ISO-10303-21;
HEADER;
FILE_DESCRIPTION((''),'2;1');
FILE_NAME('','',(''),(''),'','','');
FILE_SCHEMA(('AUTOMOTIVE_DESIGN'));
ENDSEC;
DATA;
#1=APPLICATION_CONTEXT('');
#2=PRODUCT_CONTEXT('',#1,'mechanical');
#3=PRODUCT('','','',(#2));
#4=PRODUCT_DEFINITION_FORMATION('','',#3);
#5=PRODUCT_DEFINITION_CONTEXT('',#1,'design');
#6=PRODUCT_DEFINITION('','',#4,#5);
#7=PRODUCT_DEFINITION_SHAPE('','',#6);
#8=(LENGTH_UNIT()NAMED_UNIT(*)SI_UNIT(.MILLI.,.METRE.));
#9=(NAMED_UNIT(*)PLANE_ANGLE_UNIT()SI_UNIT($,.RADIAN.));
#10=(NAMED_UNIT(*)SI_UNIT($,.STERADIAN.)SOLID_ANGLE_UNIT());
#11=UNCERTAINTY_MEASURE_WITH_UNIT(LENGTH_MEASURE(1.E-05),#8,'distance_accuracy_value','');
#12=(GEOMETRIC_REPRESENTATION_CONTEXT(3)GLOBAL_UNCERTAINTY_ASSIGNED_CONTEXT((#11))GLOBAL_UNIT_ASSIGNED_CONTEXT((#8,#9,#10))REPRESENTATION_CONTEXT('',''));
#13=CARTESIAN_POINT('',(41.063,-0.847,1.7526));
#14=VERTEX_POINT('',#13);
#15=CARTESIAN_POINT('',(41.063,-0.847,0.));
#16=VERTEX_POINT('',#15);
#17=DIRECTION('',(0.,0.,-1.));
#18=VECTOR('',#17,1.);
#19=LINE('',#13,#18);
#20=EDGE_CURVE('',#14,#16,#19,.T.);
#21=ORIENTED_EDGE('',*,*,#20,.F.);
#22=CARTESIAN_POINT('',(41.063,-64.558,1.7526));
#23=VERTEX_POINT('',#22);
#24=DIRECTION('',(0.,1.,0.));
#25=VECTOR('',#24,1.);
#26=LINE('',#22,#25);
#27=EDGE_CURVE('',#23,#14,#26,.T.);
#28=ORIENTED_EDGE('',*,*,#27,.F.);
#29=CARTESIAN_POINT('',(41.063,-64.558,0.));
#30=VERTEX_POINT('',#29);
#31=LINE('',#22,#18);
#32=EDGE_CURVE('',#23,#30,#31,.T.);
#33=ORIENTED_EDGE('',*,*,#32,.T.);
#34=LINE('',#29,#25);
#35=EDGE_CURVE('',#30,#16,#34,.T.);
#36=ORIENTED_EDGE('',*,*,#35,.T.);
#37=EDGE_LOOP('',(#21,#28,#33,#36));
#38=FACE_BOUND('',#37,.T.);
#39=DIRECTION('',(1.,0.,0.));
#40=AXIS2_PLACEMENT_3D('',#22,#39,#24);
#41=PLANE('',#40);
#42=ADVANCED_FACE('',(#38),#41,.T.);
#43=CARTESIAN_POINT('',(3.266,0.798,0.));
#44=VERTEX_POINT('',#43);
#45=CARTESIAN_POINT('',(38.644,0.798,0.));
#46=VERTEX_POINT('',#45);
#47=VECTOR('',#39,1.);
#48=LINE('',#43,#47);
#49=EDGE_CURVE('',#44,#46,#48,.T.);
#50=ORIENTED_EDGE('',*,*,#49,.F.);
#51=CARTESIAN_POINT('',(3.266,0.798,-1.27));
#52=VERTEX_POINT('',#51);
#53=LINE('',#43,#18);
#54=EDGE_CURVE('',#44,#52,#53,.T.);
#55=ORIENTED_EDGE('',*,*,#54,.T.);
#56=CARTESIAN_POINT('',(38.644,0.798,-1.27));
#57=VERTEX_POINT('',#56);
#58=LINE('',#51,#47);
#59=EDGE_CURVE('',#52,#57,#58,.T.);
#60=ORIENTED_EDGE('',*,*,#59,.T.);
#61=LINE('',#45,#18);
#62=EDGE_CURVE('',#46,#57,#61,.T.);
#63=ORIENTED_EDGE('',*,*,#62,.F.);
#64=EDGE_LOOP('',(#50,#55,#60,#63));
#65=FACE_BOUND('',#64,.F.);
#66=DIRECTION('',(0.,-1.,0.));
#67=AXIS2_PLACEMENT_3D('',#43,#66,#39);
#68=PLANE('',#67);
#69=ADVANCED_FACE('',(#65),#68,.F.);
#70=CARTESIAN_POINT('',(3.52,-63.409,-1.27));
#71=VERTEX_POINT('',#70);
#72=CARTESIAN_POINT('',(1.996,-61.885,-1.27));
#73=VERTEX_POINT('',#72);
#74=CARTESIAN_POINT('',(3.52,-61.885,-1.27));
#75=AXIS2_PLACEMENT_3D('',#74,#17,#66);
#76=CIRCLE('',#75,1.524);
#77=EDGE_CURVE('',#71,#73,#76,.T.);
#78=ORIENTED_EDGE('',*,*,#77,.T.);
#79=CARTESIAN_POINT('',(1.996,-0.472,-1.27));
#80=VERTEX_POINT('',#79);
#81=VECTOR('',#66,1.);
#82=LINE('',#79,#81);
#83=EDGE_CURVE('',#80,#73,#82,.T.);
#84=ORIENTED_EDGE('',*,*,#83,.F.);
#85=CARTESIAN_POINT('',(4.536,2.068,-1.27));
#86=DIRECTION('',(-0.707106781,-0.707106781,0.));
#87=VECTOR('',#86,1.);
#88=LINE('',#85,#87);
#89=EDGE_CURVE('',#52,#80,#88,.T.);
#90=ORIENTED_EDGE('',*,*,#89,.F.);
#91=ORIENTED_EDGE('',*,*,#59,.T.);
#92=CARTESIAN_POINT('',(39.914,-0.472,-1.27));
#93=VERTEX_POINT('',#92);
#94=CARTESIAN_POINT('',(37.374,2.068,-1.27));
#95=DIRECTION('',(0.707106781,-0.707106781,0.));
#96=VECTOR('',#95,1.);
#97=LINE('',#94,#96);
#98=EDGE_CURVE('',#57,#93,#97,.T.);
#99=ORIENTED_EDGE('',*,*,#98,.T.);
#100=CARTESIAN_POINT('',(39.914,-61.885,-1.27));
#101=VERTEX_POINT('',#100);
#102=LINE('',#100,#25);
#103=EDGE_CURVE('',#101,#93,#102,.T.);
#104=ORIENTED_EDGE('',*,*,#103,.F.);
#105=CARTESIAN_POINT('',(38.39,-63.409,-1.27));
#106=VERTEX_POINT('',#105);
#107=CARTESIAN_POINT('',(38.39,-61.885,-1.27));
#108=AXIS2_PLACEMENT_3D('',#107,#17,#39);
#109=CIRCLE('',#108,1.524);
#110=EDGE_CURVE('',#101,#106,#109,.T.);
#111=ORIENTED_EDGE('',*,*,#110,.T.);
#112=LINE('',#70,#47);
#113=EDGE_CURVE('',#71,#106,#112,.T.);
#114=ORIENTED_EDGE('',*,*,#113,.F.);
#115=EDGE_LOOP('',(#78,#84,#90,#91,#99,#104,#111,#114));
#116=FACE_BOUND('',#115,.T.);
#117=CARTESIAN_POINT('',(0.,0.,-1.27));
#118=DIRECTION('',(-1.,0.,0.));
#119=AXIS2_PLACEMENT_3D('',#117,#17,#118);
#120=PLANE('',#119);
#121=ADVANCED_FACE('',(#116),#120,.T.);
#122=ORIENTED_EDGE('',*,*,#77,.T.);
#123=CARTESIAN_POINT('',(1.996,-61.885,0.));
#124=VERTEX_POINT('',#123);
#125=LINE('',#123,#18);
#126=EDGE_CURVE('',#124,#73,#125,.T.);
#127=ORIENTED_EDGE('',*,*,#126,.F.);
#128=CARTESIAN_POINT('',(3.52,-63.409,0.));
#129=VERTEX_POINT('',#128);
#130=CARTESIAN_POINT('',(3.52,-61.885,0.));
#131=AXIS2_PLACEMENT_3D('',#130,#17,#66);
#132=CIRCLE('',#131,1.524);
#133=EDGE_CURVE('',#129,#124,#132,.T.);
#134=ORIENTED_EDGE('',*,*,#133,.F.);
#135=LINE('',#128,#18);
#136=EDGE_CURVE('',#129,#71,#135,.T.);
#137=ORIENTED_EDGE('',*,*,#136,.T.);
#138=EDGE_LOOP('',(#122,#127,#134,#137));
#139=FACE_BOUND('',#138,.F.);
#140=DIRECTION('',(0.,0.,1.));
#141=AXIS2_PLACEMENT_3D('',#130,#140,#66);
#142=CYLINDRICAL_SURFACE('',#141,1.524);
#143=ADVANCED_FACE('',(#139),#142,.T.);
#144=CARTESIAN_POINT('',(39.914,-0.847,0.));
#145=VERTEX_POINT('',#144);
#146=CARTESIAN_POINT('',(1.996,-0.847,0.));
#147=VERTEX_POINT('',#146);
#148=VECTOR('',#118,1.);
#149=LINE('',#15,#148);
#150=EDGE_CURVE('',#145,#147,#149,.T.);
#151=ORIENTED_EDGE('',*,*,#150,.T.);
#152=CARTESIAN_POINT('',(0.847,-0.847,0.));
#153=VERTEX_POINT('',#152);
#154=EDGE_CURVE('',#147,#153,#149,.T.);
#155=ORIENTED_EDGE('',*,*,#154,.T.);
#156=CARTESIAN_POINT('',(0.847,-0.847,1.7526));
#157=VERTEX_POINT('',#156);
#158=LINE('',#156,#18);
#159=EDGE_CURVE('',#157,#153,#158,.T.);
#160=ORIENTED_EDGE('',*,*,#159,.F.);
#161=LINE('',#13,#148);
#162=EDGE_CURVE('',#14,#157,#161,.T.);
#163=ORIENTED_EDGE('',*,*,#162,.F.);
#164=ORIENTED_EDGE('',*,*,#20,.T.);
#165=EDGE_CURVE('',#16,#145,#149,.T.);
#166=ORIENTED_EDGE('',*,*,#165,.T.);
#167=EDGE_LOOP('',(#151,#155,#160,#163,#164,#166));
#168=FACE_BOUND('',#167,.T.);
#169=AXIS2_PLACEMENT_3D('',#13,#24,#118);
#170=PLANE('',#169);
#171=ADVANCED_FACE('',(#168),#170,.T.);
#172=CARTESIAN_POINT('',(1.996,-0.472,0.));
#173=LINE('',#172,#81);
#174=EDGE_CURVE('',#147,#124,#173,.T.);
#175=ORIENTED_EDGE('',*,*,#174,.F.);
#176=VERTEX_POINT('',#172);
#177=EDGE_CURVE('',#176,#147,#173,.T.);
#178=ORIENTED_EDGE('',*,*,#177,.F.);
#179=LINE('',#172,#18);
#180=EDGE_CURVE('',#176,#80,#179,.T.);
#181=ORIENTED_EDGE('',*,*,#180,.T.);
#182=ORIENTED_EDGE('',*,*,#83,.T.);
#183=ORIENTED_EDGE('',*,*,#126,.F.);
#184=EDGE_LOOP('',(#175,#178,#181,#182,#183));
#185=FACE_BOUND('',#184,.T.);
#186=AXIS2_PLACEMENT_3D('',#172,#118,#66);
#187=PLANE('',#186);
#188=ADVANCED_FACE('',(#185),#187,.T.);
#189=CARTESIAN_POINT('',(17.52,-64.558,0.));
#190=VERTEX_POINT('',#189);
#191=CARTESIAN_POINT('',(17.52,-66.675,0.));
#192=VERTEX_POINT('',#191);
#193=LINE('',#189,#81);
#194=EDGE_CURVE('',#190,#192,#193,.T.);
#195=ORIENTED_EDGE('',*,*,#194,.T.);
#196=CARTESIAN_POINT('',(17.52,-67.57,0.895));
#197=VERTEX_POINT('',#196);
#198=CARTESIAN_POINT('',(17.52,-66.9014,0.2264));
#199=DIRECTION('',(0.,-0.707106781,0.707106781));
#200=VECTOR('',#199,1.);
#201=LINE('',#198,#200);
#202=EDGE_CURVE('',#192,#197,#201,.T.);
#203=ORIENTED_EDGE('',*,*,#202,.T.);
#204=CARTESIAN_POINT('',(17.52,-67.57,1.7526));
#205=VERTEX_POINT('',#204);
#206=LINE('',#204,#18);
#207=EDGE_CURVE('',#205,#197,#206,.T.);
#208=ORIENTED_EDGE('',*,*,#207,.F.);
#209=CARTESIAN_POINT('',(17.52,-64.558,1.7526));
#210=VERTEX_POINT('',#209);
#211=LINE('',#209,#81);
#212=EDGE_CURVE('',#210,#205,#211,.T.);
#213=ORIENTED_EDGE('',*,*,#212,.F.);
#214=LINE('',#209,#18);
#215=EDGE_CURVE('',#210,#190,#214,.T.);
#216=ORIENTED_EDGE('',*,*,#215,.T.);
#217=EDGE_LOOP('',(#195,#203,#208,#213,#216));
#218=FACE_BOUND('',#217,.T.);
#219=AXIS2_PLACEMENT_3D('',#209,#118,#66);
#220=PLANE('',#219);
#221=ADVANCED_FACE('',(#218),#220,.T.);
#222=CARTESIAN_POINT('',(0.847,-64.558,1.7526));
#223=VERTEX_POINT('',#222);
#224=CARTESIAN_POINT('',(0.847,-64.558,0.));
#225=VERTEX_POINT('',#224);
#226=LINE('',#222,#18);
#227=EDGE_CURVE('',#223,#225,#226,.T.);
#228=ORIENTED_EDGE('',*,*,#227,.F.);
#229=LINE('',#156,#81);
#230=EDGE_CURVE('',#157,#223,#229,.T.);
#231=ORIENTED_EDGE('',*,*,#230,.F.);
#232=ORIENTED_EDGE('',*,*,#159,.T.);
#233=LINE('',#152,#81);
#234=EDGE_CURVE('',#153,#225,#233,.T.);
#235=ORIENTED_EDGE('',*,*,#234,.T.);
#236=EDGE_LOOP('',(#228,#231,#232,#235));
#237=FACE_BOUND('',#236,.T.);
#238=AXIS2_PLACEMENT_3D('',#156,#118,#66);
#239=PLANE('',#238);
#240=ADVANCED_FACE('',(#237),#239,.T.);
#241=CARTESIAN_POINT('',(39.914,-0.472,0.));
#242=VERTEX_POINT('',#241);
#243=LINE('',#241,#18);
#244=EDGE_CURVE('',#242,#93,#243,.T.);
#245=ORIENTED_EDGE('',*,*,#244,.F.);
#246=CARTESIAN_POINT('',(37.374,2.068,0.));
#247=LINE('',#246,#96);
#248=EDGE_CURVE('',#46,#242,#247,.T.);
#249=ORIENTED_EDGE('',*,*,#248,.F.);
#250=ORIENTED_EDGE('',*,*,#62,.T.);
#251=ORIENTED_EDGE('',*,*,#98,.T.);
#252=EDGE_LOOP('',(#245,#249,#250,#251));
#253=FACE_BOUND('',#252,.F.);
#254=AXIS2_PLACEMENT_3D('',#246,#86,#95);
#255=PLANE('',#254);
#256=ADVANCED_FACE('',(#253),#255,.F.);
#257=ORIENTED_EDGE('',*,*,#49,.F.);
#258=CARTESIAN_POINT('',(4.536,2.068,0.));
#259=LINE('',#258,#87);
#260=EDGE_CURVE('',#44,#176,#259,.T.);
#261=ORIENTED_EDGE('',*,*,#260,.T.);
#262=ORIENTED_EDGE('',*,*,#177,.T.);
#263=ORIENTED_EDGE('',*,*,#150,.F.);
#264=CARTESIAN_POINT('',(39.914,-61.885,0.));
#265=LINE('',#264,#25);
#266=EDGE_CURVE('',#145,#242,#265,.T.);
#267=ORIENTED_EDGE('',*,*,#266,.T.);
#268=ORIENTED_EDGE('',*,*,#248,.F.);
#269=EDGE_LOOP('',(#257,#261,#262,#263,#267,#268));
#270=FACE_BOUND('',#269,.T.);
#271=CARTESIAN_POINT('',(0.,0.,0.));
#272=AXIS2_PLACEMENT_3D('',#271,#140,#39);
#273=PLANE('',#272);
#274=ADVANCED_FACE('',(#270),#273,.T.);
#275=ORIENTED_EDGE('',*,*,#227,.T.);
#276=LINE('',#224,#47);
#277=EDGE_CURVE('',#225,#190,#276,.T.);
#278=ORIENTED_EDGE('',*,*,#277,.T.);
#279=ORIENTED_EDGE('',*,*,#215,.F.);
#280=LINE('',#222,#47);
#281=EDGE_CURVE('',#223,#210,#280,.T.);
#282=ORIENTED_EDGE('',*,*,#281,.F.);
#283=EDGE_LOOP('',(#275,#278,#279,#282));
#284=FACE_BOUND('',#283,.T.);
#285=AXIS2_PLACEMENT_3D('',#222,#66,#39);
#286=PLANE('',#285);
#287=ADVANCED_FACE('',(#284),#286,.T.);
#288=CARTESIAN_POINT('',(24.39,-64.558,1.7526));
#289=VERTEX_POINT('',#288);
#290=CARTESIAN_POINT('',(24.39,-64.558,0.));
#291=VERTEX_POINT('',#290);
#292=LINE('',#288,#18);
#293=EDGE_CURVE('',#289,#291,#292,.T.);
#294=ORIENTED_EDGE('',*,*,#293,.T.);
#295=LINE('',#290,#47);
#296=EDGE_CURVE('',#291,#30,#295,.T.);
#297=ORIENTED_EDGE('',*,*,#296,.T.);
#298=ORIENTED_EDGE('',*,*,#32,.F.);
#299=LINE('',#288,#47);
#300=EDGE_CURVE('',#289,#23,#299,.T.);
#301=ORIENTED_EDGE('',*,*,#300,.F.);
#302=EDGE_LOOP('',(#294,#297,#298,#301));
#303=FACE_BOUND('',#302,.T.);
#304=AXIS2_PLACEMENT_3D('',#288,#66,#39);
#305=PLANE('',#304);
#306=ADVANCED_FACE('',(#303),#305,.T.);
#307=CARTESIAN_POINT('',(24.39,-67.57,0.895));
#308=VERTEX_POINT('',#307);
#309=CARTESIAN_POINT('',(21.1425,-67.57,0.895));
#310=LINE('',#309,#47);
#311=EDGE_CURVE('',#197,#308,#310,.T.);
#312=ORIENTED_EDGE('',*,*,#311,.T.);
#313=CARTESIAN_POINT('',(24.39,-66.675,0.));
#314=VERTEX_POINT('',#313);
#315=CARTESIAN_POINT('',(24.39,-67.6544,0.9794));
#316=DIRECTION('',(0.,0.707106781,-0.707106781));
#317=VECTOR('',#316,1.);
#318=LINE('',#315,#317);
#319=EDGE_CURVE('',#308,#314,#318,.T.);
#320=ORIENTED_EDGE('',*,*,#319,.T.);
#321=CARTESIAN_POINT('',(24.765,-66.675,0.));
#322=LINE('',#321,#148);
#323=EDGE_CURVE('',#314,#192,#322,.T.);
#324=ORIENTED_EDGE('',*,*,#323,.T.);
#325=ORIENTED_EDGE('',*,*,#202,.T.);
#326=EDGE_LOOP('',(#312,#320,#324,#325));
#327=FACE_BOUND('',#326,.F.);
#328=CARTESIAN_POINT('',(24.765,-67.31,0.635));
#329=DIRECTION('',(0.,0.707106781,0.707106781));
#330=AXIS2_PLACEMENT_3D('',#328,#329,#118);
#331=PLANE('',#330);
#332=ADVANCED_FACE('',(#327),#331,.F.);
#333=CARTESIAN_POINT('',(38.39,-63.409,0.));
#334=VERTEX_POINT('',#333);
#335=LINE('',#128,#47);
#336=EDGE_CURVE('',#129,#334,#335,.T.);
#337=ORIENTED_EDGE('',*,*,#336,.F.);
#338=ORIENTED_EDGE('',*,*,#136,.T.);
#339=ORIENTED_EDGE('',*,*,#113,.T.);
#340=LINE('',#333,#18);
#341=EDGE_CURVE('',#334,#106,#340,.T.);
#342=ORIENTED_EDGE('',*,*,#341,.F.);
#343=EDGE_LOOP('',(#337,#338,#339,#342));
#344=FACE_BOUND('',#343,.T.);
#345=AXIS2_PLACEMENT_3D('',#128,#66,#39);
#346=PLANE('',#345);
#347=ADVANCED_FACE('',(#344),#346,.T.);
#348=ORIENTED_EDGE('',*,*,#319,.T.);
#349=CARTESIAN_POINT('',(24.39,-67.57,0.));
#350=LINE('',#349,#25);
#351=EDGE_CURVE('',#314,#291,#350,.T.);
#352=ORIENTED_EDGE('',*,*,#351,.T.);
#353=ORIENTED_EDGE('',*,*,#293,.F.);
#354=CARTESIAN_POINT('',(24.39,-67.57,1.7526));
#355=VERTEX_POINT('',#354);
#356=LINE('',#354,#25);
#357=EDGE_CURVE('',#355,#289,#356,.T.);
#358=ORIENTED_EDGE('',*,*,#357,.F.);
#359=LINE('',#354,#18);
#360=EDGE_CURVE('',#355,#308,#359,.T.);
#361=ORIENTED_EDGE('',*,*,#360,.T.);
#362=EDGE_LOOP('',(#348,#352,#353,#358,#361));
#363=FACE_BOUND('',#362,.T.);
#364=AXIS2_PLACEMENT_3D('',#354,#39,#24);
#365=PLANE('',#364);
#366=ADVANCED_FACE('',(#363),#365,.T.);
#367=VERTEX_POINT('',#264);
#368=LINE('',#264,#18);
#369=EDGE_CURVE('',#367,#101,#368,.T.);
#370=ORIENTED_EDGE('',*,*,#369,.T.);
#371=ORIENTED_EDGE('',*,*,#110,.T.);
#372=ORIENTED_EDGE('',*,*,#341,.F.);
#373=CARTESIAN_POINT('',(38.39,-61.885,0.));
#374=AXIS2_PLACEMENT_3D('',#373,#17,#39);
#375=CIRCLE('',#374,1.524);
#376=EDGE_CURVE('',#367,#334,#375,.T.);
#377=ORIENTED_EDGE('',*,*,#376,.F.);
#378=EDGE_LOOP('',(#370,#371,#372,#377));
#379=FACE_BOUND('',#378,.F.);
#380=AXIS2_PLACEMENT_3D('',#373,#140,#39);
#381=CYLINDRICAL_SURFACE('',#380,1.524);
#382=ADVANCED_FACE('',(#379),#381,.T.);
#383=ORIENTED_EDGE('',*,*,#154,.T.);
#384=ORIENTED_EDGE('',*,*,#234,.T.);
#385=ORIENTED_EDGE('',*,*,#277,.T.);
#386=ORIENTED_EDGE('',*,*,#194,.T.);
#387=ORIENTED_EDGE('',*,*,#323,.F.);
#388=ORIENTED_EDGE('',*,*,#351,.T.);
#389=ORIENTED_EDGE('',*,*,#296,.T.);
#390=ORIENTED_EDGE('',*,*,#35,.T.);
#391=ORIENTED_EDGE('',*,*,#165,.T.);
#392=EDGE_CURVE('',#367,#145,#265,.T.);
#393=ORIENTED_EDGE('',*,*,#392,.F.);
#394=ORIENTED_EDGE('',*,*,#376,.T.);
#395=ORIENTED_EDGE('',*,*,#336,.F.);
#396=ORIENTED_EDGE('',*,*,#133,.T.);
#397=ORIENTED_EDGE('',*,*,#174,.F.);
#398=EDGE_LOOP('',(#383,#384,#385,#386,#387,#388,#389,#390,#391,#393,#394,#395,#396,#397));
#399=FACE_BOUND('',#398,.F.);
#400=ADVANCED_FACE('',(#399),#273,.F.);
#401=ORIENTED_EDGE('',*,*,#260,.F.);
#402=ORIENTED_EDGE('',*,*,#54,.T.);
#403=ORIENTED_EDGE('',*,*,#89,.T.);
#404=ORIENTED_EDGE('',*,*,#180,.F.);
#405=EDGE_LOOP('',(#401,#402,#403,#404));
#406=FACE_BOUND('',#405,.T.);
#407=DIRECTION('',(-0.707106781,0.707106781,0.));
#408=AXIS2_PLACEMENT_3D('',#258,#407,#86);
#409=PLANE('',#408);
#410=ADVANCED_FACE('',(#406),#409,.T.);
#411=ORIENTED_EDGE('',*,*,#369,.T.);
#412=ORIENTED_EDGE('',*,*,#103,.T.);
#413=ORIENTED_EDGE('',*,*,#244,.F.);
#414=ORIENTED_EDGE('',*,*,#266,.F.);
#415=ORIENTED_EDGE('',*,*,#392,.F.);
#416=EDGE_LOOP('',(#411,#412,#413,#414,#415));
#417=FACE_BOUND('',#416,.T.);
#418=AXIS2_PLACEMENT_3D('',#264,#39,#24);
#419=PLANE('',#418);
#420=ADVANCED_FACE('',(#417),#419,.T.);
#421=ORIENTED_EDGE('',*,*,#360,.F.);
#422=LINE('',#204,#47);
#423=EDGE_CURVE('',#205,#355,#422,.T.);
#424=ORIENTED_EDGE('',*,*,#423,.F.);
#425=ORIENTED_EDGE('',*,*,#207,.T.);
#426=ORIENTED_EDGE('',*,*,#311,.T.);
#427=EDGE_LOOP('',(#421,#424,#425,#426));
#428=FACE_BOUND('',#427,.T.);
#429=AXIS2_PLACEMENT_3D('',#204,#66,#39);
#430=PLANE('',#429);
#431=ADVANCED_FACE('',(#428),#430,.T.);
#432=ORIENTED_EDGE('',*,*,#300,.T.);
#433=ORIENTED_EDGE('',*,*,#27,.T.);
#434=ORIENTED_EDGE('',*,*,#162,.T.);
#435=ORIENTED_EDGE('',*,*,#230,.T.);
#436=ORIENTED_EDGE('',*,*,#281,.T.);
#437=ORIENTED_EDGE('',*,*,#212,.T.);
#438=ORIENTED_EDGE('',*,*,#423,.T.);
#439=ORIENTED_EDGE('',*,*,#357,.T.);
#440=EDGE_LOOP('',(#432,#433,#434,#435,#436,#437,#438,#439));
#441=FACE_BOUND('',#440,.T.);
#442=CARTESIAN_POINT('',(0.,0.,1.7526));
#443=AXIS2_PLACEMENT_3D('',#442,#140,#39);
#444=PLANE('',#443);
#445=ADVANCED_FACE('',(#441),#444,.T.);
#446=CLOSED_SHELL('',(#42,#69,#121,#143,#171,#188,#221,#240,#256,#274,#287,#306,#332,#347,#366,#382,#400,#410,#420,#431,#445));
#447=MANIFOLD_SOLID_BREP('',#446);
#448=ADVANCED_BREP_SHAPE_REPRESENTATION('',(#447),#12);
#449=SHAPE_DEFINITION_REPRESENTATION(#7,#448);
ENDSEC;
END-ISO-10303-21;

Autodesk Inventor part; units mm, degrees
ref_plane "YZ Plane" through (0, 0, 0) normal (1, 0, 0) x (0, 1, 0)
ref_plane "XZ Plane" through (0, 0, 0) normal (0, 1, 0) x (-1, 0, 0)
ref_plane "XY Plane" through (0, 0, 0) normal (0, 0, 1) x (1, 0, 0)
sketch "Sketch1" plane through (0, 0, 0) normal (0, 0, 1) x (1, 0, 0)
  line L0 (24.765, -64.933) -> (24.765, -65.405)
  line L1 (41.91, -65.405) -> (24.765, -65.405)
  line L2 (41.91, 0) -> (41.91, -65.405)
  line L3 (0, 0) -> (41.91, 0)
  line L4 (0, -65.405) -> (0, 0)
  line L5 (17.145, -65.405) -> (0, -65.405)
  line L6 (17.145, -65.405) -> (17.145, -64.933)
  line L7 (17.145, -64.933) -> (0.472, -64.933)
  line L8 (0.472, -64.933) -> (0.472, -0.472)
  line L9 (0.472, -0.472) -> (41.438, -0.472)
  line L10 (41.438, -0.472) -> (41.438, -64.933)
  line L11 (41.438, -64.933) -> (24.765, -64.933)
  line L12 (17.145, -64.933) -> (17.145, -63.6597)
  line L13 (17.145, -63.6597) -> (3.0153, -63.6597)
  arc A0 (1.7453, -62.3897) -> (3.0153, -63.6597) centre (3.0153, -62.3897) ccw
  line L14 (1.7453, -62.3897) -> (1.7453, -10.7786)
  arc A1 (1.7453, -10.7786) -> (0.472, -9.5086) centre (0.4753, -10.7786) ccw
  line L15 (0.472, -64.933) -> (0.472, -9.5086)
  line L16 (17.145, -64.933) -> (0.472, -64.933)
  line L17 (24.765, -63.6597) -> (24.765, -64.933)
  line L18 (41.438, -64.933) -> (24.765, -64.933)
  line L19 (41.438, -9.5086) -> (41.438, -64.933)
  arc A2 (41.438, -9.5086) -> (40.1647, -10.7786) centre (41.4347, -10.7786) ccw
  line L20 (40.1647, -10.7786) -> (40.1647, -62.3897)
  arc A3 (38.8947, -63.6597) -> (40.1647, -62.3897) centre (38.8947, -62.3897) ccw
  line L21 (38.8947, -63.6597) -> (24.765, -63.6597)
  line L22 (24.765, -67.945) -> (17.145, -67.945)
  line L23 (24.765, -63.6597) -> (24.765, -67.945)
  line L24 (17.145, -63.6597) -> (24.765, -63.6597)
  line L25 (17.145, -67.945) -> (17.145, -63.6597)
  point P0 (4.318, 23.368)
extrude "Extrusion1" add sketch "Sketch1" along normal blind 1.7526 contours L17 L21 A3 L20 A2 L10 L11 | L0 L23 L22 L25 L6 L12 L24 L17 | L24 L13 A0 L14 A1 L8 L9 L10 A2 L20 A3 L21 | L12 L7 L8 A1 L14 A0 L13
sketch "Sketch2" plane through (0, 0, 0) normal (0, 0, -1) x (-1, 0, 0)
  line L0 (-41.438, -0.472) -> (-0.472, -0.472) projected
  line L1 (-41.438, -64.933) -> (-41.438, -0.472) projected
  line L2 (-24.765, -64.933) -> (-41.438, -64.933) projected
  line L3 (-24.765, -67.945) -> (-24.765, -64.933) projected
  line L4 (-17.145, -67.945) -> (-24.765, -67.945) projected
  line L5 (-17.145, -64.933) -> (-17.145, -67.945) projected
  line L6 (-0.472, -64.933) -> (-17.145, -64.933) projected
  line L7 (-0.472, -0.472) -> (-0.472, -64.933) projected
  line L8 (-39.914, -61.885) -> (-39.914, -0.472)
  line L9 (-1.996, -0.472) -> (-1.996, -61.885)
  line L10 (-3.52, -63.409) -> (-38.39, -63.409)
  arc A0 (-39.914, -61.885) -> (-38.39, -63.409) centre (-38.39, -61.885) ccw
  arc A1 (-3.52, -63.409) -> (-1.996, -61.885) centre (-3.52, -61.885) ccw
  line L11 (-41.438, -0.472) -> (-0.472, -0.472) projected
  line L12 (-4.536, 2.068) -> (-37.374, 2.068)
  line L13 (-1.996, -0.472) -> (-1.996, -0.472)
  line L14 (-37.374, 2.068) -> (-39.914, -0.472)
  line L15 (-4.536, 2.068) -> (-1.996, -0.472)
  point P0 (0, 0)
  point P1 (-39.914, 2.068)
  point P2 (-1.996, 2.068)
  dimension "d2" = 1.524
  dimension "d3" = 1.524
  dimension "d4" = 1.524
  dimension "d5" = 1.524
  dimension "d7" = 2.54
  dimension "d8" = 2.54
  dimension "d9" = 2.54
  dimension "d10" = 2.54
extrude "Extrusion2" add sketch "Sketch2" along normal blind 1.27 contours L14 L12 L15 L0 | L0 L9 A1 L10 A0 L8
chamfer "Chamfer1" distance 1.27 angle 45 1 edges at (20.955, -67.945, 0)
sketch "Sketch3" plane through (0, 0, 1.7526) normal (0, 0, 1) x (1, 0, 0)
  line L0 (41.438, -0.472) -> (0.472, -0.472) projected
  line L1 (0.472, -0.472) -> (0.472, -64.933) projected
  line L2 (0.472, -64.933) -> (17.145, -64.933) projected
  line L3 (17.145, -64.933) -> (17.145, -67.945) projected
  line L4 (17.145, -67.945) -> (24.765, -67.945) projected
  line L5 (24.765, -67.945) -> (24.765, -64.933) projected
  line L6 (24.765, -64.933) -> (41.438, -64.933) projected
  line L7 (41.438, -64.933) -> (41.438, -0.472) projected
  line L8 (41.063, -0.847) -> (0.847, -0.847)
  line L9 (0.847, -0.847) -> (0.847, -64.558)
  line L10 (0.847, -64.558) -> (17.52, -64.558)
  line L11 (17.52, -64.558) -> (17.52, -67.57)
  line L12 (17.52, -67.57) -> (24.39, -67.57)
  line L13 (24.39, -67.57) -> (24.39, -64.558)
  line L14 (24.39, -64.558) -> (41.063, -64.558)
  line L15 (41.063, -64.558) -> (41.063, -0.847)
  point P0 (0, 0)
extrude "Extrusion3" cut sketch "Sketch3" against normal up to surface (1.7526 mm away)
sketch "Sketch4" plane through (0, 0, 0) normal (0, 0, 1) x (1, 0, 0)
  line L0 (37.374, 2.068) -> (39.914, -0.472) projected
  line L1 (4.536, 2.068) -> (37.374, 2.068) projected
  line L2 (1.996, -0.472) -> (4.536, 2.068) projected
  line L3 (1.996, -0.472) -> (1.996, -0.847) projected
  line L4 (1.996, -0.847) -> (39.914, -0.847) projected
  line L5 (39.914, -0.847) -> (39.914, -0.472) projected
  line L6 (1.996, -0.472) -> (4.536, 2.068) projected
  line L7 (3.266, 0.798) -> (38.644, 0.798)
  line L8 (38.644, 0.798) -> (38.644, 2.068)
  line L9 (38.644, 2.068) -> (3.266, 2.068)
  line L10 (3.266, 2.068) -> (3.266, 0.798)
  point P0 (0, 0)
extrude "Extrusion4" cut sketch "Sketch4" against normal blind 1.27 contours L9 L8 L0 | L0 L7 L2 L1 | L2 L10 L9
equation "\"d8\" = d7"
equation "\"d9\" = d7"
equation "\"d10\" = d9"
properties part number "Main_Housing_Cap"
